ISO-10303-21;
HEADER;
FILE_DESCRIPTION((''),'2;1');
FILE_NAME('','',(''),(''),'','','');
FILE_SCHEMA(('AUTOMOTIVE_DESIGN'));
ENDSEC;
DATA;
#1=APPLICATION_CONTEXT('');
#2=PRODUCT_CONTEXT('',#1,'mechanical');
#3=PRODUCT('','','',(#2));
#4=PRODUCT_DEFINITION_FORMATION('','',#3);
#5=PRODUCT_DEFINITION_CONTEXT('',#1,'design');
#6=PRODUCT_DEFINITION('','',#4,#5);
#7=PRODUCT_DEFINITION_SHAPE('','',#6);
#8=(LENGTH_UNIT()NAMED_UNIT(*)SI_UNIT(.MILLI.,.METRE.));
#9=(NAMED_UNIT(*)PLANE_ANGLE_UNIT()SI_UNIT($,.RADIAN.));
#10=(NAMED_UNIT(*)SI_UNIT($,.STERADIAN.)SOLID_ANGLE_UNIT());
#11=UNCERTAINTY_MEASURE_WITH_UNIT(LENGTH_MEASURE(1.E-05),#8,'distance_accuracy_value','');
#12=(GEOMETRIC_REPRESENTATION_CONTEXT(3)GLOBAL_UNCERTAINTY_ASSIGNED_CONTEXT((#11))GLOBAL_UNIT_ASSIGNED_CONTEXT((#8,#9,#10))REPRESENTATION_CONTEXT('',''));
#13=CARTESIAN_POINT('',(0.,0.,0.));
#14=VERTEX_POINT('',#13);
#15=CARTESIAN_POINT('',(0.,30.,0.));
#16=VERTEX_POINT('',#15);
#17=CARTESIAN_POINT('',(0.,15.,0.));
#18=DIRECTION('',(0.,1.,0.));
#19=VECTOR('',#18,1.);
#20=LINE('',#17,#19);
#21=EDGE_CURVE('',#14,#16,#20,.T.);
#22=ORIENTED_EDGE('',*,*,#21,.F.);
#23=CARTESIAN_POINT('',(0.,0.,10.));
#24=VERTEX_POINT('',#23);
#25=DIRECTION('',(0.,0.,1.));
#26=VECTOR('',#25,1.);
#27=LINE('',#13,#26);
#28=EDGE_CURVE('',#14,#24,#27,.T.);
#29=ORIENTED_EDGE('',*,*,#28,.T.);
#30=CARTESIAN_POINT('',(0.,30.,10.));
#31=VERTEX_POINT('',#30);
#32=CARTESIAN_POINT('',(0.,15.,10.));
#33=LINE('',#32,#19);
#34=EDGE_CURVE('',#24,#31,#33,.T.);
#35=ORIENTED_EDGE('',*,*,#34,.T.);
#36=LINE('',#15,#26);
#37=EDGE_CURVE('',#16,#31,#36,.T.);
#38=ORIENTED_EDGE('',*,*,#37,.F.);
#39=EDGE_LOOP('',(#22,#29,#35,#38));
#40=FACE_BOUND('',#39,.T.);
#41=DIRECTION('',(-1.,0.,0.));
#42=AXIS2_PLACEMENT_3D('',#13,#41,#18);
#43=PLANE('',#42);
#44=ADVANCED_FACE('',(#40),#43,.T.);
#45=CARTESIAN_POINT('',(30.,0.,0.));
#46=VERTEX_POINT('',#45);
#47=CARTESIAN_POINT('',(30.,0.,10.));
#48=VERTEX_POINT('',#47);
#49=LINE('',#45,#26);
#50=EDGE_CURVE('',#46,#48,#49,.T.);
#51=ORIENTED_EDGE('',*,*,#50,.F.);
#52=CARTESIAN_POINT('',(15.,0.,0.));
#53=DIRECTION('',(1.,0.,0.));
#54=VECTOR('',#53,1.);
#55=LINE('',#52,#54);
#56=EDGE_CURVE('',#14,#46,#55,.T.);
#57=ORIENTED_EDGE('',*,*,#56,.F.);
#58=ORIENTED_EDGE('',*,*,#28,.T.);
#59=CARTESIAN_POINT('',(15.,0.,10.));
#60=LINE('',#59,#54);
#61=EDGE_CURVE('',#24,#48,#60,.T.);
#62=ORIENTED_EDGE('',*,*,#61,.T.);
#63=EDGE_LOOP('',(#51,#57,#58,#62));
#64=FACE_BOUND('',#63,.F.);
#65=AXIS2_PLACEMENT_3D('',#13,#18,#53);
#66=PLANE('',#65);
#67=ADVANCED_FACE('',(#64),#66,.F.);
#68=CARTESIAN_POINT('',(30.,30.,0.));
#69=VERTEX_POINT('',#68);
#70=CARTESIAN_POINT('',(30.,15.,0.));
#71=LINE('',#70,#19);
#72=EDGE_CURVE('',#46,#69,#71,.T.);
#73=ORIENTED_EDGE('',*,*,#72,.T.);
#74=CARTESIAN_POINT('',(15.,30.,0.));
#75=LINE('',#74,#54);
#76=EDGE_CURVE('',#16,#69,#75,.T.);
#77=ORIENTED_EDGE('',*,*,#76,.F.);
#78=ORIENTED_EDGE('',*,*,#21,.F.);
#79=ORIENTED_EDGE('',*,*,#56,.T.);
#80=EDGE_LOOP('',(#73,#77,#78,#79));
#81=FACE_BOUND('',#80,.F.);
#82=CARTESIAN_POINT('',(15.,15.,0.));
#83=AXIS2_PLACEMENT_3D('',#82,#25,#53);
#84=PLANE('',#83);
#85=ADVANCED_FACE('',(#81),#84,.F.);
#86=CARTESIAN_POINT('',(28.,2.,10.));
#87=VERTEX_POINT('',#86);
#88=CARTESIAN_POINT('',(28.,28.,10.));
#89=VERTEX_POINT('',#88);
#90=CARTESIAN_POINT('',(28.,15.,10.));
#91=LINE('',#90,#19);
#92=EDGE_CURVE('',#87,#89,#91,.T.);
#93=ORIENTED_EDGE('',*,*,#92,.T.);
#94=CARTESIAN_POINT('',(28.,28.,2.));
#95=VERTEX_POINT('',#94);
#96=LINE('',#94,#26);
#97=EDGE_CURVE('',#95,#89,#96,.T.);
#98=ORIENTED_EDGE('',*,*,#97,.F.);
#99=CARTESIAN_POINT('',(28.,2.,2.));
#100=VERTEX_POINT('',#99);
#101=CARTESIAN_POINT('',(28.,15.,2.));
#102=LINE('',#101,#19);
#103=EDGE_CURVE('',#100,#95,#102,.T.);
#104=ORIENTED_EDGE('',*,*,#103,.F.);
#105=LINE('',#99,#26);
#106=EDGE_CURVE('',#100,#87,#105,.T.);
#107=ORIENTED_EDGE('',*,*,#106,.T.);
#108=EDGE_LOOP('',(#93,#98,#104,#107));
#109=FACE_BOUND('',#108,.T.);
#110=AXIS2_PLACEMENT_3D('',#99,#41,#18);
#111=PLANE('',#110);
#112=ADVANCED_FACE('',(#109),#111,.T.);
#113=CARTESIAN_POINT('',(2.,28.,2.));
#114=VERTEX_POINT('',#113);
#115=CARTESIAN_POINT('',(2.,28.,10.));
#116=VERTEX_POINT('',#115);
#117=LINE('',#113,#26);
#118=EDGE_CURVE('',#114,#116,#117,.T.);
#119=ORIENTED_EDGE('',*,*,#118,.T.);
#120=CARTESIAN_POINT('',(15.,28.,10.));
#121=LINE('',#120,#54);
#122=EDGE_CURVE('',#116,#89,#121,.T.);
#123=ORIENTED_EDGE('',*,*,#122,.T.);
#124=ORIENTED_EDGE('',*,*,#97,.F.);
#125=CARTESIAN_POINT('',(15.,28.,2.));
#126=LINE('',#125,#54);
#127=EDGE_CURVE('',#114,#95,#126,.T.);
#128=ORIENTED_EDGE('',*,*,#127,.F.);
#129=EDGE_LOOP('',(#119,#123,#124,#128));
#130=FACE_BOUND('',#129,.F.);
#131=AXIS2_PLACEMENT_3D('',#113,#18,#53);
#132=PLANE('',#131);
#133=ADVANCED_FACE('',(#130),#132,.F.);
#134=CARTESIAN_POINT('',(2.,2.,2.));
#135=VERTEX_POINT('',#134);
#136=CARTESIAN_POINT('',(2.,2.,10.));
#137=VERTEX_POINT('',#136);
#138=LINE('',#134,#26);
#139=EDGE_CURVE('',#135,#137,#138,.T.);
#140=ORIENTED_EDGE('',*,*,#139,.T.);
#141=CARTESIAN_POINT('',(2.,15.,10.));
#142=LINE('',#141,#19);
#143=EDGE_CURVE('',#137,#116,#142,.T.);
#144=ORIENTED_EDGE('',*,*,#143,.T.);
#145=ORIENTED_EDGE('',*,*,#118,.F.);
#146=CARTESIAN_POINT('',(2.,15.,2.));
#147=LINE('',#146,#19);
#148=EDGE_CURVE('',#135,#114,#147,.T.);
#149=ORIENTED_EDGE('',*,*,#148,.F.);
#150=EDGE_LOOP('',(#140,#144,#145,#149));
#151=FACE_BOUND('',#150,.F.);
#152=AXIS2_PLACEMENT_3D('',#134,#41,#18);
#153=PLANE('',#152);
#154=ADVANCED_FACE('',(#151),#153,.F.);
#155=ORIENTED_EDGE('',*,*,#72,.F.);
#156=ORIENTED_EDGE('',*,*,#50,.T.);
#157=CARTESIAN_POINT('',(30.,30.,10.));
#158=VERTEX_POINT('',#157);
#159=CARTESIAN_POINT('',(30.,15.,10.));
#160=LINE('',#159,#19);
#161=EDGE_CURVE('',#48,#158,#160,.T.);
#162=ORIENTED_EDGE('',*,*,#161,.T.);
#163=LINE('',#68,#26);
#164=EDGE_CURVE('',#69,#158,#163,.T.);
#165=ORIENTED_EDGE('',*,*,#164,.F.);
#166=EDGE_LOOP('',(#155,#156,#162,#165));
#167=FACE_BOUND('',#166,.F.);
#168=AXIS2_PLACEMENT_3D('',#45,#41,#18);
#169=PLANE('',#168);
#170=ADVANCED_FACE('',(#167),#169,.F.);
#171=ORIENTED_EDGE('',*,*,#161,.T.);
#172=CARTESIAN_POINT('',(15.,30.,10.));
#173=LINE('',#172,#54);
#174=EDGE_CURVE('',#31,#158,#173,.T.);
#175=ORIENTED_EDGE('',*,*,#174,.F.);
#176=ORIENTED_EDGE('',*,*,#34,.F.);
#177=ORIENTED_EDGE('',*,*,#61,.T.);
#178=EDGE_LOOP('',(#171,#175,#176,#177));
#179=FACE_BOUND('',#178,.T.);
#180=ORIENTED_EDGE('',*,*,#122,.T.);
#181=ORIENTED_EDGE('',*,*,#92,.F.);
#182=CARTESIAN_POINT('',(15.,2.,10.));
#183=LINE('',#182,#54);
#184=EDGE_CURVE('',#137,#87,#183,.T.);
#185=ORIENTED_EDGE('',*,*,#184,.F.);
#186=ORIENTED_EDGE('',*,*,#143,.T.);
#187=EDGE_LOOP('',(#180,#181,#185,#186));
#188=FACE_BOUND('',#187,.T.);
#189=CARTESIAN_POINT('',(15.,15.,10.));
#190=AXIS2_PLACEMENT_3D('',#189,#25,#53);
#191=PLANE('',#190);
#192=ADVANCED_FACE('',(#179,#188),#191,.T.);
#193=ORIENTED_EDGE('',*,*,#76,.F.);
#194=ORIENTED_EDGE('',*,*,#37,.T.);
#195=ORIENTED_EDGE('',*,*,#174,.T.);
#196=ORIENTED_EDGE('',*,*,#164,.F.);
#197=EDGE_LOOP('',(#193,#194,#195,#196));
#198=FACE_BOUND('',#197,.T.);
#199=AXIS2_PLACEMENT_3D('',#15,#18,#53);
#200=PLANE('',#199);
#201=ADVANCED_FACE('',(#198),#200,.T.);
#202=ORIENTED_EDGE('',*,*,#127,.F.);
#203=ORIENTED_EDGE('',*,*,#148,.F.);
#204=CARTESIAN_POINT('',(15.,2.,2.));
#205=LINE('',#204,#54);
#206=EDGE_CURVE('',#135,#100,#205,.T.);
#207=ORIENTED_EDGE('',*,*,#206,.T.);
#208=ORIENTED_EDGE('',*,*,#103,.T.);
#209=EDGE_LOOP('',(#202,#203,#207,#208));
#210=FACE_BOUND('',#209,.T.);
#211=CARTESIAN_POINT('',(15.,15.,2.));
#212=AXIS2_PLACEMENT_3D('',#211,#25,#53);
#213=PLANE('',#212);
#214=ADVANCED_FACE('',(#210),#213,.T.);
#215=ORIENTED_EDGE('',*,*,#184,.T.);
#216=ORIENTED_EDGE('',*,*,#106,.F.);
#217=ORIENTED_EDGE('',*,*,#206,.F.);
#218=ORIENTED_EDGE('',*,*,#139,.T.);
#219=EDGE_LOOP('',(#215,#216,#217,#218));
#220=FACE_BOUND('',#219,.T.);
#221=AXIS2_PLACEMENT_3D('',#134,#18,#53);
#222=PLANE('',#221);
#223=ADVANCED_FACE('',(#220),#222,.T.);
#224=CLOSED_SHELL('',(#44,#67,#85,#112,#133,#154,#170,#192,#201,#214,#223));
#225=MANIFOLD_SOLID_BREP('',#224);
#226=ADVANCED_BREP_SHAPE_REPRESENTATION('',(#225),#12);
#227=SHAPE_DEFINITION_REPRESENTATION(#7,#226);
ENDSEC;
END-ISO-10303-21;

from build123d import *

# Parameters (mm, degrees)
BOX_W        = 30
BOX_H        = 30
BOX_DEPTH    = 10
BOX001_W     = 26
BOX001_H     = 26
BOX001_DEPTH = 8


with BuildPart() as part:
    # Box → Box (join)
    with BuildSketch(Plane.XY):
        with Locations((15, 15)):
            Rectangle(BOX_W, BOX_H)
    extrude(amount=BOX_DEPTH)

    # Box001 → Box001 (cut)
    with BuildSketch(Plane(origin=(2, 2, 2), x_dir=(1, 0, 0), z_dir=(0, 0, 1))):
        with Locations((13, 13)):
            Rectangle(BOX001_W, BOX001_H)
    extrude(amount=BOX001_DEPTH, mode=Mode.SUBTRACT)


solid = part.part
